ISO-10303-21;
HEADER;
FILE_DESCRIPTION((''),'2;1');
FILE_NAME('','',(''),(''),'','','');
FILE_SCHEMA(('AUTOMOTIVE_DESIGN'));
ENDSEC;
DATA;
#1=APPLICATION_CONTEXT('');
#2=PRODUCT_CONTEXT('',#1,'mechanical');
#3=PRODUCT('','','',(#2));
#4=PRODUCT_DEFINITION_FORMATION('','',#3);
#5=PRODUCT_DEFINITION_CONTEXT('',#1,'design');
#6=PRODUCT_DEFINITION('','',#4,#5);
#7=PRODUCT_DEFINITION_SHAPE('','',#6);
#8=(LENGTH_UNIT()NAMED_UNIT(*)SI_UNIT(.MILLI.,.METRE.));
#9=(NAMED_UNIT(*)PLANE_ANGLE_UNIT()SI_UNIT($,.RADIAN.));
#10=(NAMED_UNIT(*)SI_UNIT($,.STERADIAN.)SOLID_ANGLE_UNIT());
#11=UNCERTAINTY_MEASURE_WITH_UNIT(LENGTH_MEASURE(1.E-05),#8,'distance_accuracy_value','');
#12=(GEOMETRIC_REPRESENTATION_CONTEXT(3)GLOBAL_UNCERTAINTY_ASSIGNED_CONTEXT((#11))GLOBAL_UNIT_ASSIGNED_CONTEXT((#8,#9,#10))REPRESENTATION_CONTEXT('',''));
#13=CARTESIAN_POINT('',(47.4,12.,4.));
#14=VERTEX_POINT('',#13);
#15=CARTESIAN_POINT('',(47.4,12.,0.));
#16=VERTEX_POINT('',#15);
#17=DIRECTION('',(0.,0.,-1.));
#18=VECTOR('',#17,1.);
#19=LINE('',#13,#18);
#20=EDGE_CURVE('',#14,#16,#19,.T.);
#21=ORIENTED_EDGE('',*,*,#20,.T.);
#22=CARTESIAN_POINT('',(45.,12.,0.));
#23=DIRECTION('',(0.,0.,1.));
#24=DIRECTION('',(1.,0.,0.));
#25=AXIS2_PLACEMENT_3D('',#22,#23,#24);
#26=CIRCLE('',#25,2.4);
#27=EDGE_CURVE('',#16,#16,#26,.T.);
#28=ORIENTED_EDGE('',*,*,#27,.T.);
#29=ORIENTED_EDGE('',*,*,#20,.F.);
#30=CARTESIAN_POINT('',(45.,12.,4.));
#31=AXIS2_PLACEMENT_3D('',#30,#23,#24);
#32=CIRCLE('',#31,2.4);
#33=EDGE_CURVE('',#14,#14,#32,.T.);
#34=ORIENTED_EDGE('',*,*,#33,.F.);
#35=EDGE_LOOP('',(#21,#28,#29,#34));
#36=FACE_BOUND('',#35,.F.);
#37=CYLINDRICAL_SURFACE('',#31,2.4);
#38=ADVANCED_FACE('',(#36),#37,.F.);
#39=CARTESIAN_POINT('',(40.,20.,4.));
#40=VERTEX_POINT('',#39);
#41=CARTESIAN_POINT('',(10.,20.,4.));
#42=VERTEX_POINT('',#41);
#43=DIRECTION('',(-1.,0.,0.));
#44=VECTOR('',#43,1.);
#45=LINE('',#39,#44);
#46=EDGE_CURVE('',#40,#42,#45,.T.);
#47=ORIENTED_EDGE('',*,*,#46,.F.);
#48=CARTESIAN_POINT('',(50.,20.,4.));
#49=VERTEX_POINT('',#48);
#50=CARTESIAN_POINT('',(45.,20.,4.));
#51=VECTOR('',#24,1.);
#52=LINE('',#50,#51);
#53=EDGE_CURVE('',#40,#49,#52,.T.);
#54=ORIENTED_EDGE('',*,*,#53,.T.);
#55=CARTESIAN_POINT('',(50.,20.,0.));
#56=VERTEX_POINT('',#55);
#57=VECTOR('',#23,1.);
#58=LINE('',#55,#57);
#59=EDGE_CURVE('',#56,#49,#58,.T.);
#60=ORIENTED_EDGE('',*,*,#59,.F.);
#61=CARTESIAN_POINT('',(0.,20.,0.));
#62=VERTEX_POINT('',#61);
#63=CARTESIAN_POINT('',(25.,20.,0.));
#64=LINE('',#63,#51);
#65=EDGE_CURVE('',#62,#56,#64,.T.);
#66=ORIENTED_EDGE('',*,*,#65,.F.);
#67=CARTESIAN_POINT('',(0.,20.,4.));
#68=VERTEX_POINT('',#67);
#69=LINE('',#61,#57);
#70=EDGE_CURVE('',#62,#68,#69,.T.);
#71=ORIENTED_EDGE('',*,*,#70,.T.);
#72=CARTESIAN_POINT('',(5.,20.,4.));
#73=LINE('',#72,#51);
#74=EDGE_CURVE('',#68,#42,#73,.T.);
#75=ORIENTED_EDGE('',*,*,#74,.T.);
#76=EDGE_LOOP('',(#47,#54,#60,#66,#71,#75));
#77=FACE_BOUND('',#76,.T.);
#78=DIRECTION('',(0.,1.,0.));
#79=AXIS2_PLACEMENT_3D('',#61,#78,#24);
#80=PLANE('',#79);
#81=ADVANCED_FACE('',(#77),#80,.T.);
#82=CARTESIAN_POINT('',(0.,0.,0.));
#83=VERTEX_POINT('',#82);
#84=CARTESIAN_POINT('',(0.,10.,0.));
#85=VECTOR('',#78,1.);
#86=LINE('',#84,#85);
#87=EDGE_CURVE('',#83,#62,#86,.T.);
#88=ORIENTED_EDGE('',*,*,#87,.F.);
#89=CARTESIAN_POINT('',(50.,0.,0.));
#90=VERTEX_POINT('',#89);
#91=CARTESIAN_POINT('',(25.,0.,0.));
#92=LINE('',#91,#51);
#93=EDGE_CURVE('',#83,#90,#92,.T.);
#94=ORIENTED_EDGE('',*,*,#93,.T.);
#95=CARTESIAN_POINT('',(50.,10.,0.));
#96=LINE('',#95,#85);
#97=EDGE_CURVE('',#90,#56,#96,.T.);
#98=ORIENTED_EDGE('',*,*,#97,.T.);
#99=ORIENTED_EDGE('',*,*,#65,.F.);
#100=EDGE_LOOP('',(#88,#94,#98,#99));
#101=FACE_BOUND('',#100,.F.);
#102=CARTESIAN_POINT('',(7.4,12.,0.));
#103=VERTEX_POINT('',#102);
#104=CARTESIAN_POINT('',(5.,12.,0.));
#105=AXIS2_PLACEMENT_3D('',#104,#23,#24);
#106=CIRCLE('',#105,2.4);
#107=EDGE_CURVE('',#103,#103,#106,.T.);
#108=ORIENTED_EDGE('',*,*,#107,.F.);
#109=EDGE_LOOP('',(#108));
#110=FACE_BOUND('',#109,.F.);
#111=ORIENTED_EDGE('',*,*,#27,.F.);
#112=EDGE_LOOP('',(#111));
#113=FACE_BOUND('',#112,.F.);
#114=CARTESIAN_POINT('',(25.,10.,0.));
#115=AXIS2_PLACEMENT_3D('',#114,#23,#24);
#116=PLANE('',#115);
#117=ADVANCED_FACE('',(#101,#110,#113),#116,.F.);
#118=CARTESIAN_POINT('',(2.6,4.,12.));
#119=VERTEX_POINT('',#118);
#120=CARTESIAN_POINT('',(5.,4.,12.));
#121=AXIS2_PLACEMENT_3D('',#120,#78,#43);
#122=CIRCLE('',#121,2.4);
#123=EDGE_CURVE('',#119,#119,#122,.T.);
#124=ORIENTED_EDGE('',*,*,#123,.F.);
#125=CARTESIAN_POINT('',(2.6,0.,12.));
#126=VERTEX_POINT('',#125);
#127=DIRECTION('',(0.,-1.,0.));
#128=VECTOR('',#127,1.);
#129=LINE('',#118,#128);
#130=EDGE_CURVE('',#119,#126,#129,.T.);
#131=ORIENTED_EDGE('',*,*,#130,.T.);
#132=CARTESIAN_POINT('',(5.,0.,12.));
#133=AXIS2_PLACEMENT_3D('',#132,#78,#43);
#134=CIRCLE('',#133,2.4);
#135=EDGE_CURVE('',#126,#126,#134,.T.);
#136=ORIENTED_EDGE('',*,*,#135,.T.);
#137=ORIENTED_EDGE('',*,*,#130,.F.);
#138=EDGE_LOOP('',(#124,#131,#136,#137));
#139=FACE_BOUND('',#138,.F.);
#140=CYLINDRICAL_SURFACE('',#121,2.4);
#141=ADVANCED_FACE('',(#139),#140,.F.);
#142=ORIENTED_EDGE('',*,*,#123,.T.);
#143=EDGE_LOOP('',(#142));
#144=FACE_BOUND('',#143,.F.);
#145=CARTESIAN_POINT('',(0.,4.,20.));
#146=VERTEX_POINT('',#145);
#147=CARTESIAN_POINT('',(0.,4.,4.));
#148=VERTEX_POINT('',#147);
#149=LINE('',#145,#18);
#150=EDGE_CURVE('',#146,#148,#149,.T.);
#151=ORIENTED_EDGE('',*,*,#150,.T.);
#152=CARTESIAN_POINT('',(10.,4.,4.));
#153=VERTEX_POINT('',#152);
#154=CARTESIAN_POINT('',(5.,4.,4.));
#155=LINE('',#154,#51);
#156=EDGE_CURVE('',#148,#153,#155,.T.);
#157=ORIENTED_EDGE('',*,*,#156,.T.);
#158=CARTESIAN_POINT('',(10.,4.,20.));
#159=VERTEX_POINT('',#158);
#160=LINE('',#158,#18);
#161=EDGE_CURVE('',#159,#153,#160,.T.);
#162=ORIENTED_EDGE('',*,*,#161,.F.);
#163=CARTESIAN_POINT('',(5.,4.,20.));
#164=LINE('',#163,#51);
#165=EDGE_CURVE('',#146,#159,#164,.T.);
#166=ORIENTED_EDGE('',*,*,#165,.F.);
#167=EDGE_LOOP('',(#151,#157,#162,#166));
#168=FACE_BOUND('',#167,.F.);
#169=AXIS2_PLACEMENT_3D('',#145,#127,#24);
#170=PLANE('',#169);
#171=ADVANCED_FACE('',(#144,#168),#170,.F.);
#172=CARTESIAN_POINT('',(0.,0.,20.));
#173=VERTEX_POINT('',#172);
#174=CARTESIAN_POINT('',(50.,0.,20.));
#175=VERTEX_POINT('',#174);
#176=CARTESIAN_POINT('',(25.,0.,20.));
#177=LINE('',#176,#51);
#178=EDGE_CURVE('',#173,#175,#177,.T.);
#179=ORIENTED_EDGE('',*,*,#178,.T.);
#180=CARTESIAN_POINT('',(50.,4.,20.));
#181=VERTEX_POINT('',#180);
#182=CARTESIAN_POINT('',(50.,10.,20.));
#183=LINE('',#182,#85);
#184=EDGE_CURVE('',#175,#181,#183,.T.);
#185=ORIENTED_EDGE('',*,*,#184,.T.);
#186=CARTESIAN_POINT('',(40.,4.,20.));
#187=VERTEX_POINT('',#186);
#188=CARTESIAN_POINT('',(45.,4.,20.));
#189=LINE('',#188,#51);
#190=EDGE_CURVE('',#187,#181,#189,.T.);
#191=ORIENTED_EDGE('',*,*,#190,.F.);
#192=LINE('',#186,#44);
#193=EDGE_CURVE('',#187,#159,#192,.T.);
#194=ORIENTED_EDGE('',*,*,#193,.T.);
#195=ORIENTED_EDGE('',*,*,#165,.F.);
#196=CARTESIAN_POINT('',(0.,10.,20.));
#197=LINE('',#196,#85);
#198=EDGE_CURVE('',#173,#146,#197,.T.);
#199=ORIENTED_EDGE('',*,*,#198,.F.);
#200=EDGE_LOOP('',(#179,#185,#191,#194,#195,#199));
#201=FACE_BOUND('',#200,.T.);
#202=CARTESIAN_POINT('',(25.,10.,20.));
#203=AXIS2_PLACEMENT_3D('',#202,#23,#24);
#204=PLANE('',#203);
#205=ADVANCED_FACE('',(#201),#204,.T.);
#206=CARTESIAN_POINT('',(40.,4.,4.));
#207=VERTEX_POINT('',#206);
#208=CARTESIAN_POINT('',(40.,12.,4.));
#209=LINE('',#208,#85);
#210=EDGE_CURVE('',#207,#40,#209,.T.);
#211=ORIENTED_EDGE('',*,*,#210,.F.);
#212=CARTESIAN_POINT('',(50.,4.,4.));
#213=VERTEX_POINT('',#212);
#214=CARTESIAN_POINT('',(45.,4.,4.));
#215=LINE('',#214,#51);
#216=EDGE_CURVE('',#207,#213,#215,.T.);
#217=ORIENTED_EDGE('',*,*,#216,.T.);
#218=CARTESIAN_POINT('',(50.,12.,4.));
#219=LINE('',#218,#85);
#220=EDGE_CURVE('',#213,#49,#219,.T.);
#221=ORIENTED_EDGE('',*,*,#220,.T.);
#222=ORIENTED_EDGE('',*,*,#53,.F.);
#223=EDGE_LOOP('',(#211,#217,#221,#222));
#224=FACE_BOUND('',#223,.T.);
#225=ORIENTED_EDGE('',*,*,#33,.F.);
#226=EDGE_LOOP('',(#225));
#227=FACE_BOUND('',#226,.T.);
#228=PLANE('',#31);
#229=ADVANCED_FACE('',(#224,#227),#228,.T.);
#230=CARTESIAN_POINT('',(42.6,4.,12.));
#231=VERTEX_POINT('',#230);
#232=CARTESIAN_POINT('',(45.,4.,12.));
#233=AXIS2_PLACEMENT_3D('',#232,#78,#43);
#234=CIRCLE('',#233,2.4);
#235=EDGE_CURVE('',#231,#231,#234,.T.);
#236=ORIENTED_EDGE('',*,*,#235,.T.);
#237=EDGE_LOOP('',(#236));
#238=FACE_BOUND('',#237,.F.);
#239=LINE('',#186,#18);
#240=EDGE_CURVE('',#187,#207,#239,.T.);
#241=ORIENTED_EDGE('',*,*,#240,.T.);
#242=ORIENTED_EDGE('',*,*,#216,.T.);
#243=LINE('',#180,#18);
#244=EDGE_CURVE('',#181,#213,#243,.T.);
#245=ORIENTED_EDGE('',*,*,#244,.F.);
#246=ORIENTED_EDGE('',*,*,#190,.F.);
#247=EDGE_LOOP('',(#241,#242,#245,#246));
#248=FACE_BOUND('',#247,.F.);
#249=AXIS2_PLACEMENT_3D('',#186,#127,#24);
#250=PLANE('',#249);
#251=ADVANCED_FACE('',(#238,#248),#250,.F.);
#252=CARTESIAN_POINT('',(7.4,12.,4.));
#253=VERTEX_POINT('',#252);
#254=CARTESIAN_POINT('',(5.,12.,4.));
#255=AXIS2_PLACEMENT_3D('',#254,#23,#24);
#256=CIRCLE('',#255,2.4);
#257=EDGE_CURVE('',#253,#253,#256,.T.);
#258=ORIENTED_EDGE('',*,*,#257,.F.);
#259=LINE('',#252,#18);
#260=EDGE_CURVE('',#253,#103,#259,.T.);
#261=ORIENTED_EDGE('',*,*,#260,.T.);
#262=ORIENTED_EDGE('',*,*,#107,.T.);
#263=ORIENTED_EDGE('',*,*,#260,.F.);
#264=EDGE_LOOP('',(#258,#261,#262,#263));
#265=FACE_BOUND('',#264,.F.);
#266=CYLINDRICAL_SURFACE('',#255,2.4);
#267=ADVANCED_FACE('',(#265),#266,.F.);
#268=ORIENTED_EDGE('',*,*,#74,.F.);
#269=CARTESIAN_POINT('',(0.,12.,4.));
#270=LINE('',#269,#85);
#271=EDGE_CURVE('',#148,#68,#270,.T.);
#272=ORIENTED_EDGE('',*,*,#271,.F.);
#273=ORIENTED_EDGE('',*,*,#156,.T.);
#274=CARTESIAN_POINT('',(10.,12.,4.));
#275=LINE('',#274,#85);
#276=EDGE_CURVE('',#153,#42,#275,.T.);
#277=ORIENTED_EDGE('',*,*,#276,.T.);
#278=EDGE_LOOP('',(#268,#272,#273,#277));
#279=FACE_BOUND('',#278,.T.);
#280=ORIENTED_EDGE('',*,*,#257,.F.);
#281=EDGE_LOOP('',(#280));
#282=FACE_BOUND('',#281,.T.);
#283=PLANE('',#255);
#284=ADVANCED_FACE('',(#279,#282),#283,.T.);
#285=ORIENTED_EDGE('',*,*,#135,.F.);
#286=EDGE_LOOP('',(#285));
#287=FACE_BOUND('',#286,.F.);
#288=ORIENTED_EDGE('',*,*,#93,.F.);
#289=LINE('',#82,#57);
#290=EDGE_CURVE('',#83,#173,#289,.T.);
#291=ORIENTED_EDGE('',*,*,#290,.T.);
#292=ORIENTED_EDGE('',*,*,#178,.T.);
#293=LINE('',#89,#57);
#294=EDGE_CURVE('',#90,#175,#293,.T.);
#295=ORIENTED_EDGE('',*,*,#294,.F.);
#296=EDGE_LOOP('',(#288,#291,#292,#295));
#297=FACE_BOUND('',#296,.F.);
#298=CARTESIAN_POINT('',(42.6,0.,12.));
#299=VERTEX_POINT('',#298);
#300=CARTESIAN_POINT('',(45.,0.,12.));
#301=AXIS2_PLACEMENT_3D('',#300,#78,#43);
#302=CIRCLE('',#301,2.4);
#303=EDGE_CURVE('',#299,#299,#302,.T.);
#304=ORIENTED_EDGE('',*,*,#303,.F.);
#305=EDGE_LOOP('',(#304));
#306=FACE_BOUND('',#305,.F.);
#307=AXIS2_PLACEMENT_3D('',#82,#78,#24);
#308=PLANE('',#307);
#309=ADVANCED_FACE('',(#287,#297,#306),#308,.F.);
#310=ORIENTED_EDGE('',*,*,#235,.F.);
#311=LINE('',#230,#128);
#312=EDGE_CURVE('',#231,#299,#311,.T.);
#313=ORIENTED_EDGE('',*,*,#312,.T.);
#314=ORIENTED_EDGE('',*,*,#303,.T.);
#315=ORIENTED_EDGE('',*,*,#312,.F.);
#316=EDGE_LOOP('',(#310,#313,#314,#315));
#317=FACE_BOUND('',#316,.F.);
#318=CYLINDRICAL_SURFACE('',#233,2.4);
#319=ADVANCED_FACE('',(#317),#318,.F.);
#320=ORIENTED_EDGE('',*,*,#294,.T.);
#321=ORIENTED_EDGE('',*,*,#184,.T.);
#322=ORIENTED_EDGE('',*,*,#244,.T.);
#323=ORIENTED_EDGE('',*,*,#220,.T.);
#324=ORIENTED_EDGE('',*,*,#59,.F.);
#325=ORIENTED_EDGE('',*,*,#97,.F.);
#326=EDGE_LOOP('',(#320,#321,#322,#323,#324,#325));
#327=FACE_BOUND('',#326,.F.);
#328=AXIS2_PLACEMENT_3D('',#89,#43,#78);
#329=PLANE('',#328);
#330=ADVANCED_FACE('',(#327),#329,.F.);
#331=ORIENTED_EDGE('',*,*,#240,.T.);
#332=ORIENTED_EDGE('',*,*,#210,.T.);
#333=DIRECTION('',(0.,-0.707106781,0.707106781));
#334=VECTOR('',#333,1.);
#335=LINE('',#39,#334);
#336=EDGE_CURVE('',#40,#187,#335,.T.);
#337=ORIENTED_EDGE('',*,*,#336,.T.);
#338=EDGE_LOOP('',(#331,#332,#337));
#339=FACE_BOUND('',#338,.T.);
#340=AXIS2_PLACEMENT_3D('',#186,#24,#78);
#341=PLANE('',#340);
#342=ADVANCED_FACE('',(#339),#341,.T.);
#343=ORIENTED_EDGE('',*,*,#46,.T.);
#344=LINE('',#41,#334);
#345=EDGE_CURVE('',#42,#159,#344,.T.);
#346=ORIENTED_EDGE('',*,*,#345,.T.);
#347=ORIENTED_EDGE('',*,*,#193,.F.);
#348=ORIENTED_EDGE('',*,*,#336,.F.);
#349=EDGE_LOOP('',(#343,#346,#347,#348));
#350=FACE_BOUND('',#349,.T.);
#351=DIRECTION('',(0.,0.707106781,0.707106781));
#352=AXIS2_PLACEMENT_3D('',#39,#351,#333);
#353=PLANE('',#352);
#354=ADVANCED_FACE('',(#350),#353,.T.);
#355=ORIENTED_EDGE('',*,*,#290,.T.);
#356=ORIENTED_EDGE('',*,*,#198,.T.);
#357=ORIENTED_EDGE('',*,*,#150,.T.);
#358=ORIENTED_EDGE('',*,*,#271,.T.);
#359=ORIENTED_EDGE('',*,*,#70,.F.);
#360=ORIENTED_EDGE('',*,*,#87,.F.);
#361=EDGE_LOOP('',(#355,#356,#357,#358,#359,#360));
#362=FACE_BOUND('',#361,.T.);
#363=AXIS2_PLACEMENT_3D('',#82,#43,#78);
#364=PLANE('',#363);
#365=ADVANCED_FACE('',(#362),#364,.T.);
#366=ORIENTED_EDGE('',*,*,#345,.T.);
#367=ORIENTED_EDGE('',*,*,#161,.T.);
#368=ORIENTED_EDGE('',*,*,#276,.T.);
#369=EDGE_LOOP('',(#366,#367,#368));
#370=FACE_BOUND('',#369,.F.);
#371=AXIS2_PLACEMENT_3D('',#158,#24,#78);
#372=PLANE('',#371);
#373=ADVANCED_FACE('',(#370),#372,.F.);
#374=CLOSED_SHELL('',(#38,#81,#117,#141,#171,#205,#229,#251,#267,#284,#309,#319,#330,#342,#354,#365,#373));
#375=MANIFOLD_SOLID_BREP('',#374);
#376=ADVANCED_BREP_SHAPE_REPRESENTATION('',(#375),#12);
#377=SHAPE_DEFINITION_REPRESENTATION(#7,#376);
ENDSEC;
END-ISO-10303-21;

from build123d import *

# Parameters (mm, degrees)
SKETCH_W        = 50
SKETCH_H        = 20
PAD_DEPTH       = 20
SKETCH001_W     = 10
SKETCH001_H     = 16
POCKET_DEPTH    = 16
POCKET001_DEPTH = 30
SKETCH003_R     = 2.4
POCKET002_DEPTH = 4
SKETCH004_R     = 2.4
POCKET003_DEPTH = 4


with BuildPart() as part:
    # Sketch → Pad (new body)
    with BuildSketch(Plane.XY):
        with Locations((25, 10)):
            Rectangle(SKETCH_W, SKETCH_H)
    extrude(amount=PAD_DEPTH)

    # Sketch001 → Pocket (cut)
    with BuildSketch(Plane.XY.offset(20)):
        with Locations((5, 12)):
            Rectangle(SKETCH001_W, SKETCH001_H)
        with Locations((45, 12)):
            Rectangle(SKETCH001_W, SKETCH001_H)
    extrude(amount=-POCKET_DEPTH, mode=Mode.SUBTRACT)

    # Sketch002 → Pocket001 (cut)
    with BuildSketch(Plane.YZ.offset(40)):
        Polygon((20, 4), (4, 20), (20, 20), align=None)
    extrude(amount=-POCKET001_DEPTH, mode=Mode.SUBTRACT)

    # Sketch003 → Pocket002 (cut)
    with BuildSketch(Plane(origin=(0, 4, 0), x_dir=(-1, 0, 0), z_dir=(0, 1, 0))):
        with Locations((-45, 12)):
            Circle(SKETCH003_R)
        with Locations((-5, 12)):
            Circle(SKETCH003_R)
    extrude(amount=-POCKET002_DEPTH, mode=Mode.SUBTRACT)

    # Sketch004 → Pocket003 (cut)
    with BuildSketch(Plane.XY.offset(4)):
        with Locations((5, 12)):
            Circle(SKETCH004_R)
        with Locations((45, 12)):
            Circle(SKETCH004_R)
    extrude(amount=-POCKET003_DEPTH, mode=Mode.SUBTRACT)


solid = part.part
